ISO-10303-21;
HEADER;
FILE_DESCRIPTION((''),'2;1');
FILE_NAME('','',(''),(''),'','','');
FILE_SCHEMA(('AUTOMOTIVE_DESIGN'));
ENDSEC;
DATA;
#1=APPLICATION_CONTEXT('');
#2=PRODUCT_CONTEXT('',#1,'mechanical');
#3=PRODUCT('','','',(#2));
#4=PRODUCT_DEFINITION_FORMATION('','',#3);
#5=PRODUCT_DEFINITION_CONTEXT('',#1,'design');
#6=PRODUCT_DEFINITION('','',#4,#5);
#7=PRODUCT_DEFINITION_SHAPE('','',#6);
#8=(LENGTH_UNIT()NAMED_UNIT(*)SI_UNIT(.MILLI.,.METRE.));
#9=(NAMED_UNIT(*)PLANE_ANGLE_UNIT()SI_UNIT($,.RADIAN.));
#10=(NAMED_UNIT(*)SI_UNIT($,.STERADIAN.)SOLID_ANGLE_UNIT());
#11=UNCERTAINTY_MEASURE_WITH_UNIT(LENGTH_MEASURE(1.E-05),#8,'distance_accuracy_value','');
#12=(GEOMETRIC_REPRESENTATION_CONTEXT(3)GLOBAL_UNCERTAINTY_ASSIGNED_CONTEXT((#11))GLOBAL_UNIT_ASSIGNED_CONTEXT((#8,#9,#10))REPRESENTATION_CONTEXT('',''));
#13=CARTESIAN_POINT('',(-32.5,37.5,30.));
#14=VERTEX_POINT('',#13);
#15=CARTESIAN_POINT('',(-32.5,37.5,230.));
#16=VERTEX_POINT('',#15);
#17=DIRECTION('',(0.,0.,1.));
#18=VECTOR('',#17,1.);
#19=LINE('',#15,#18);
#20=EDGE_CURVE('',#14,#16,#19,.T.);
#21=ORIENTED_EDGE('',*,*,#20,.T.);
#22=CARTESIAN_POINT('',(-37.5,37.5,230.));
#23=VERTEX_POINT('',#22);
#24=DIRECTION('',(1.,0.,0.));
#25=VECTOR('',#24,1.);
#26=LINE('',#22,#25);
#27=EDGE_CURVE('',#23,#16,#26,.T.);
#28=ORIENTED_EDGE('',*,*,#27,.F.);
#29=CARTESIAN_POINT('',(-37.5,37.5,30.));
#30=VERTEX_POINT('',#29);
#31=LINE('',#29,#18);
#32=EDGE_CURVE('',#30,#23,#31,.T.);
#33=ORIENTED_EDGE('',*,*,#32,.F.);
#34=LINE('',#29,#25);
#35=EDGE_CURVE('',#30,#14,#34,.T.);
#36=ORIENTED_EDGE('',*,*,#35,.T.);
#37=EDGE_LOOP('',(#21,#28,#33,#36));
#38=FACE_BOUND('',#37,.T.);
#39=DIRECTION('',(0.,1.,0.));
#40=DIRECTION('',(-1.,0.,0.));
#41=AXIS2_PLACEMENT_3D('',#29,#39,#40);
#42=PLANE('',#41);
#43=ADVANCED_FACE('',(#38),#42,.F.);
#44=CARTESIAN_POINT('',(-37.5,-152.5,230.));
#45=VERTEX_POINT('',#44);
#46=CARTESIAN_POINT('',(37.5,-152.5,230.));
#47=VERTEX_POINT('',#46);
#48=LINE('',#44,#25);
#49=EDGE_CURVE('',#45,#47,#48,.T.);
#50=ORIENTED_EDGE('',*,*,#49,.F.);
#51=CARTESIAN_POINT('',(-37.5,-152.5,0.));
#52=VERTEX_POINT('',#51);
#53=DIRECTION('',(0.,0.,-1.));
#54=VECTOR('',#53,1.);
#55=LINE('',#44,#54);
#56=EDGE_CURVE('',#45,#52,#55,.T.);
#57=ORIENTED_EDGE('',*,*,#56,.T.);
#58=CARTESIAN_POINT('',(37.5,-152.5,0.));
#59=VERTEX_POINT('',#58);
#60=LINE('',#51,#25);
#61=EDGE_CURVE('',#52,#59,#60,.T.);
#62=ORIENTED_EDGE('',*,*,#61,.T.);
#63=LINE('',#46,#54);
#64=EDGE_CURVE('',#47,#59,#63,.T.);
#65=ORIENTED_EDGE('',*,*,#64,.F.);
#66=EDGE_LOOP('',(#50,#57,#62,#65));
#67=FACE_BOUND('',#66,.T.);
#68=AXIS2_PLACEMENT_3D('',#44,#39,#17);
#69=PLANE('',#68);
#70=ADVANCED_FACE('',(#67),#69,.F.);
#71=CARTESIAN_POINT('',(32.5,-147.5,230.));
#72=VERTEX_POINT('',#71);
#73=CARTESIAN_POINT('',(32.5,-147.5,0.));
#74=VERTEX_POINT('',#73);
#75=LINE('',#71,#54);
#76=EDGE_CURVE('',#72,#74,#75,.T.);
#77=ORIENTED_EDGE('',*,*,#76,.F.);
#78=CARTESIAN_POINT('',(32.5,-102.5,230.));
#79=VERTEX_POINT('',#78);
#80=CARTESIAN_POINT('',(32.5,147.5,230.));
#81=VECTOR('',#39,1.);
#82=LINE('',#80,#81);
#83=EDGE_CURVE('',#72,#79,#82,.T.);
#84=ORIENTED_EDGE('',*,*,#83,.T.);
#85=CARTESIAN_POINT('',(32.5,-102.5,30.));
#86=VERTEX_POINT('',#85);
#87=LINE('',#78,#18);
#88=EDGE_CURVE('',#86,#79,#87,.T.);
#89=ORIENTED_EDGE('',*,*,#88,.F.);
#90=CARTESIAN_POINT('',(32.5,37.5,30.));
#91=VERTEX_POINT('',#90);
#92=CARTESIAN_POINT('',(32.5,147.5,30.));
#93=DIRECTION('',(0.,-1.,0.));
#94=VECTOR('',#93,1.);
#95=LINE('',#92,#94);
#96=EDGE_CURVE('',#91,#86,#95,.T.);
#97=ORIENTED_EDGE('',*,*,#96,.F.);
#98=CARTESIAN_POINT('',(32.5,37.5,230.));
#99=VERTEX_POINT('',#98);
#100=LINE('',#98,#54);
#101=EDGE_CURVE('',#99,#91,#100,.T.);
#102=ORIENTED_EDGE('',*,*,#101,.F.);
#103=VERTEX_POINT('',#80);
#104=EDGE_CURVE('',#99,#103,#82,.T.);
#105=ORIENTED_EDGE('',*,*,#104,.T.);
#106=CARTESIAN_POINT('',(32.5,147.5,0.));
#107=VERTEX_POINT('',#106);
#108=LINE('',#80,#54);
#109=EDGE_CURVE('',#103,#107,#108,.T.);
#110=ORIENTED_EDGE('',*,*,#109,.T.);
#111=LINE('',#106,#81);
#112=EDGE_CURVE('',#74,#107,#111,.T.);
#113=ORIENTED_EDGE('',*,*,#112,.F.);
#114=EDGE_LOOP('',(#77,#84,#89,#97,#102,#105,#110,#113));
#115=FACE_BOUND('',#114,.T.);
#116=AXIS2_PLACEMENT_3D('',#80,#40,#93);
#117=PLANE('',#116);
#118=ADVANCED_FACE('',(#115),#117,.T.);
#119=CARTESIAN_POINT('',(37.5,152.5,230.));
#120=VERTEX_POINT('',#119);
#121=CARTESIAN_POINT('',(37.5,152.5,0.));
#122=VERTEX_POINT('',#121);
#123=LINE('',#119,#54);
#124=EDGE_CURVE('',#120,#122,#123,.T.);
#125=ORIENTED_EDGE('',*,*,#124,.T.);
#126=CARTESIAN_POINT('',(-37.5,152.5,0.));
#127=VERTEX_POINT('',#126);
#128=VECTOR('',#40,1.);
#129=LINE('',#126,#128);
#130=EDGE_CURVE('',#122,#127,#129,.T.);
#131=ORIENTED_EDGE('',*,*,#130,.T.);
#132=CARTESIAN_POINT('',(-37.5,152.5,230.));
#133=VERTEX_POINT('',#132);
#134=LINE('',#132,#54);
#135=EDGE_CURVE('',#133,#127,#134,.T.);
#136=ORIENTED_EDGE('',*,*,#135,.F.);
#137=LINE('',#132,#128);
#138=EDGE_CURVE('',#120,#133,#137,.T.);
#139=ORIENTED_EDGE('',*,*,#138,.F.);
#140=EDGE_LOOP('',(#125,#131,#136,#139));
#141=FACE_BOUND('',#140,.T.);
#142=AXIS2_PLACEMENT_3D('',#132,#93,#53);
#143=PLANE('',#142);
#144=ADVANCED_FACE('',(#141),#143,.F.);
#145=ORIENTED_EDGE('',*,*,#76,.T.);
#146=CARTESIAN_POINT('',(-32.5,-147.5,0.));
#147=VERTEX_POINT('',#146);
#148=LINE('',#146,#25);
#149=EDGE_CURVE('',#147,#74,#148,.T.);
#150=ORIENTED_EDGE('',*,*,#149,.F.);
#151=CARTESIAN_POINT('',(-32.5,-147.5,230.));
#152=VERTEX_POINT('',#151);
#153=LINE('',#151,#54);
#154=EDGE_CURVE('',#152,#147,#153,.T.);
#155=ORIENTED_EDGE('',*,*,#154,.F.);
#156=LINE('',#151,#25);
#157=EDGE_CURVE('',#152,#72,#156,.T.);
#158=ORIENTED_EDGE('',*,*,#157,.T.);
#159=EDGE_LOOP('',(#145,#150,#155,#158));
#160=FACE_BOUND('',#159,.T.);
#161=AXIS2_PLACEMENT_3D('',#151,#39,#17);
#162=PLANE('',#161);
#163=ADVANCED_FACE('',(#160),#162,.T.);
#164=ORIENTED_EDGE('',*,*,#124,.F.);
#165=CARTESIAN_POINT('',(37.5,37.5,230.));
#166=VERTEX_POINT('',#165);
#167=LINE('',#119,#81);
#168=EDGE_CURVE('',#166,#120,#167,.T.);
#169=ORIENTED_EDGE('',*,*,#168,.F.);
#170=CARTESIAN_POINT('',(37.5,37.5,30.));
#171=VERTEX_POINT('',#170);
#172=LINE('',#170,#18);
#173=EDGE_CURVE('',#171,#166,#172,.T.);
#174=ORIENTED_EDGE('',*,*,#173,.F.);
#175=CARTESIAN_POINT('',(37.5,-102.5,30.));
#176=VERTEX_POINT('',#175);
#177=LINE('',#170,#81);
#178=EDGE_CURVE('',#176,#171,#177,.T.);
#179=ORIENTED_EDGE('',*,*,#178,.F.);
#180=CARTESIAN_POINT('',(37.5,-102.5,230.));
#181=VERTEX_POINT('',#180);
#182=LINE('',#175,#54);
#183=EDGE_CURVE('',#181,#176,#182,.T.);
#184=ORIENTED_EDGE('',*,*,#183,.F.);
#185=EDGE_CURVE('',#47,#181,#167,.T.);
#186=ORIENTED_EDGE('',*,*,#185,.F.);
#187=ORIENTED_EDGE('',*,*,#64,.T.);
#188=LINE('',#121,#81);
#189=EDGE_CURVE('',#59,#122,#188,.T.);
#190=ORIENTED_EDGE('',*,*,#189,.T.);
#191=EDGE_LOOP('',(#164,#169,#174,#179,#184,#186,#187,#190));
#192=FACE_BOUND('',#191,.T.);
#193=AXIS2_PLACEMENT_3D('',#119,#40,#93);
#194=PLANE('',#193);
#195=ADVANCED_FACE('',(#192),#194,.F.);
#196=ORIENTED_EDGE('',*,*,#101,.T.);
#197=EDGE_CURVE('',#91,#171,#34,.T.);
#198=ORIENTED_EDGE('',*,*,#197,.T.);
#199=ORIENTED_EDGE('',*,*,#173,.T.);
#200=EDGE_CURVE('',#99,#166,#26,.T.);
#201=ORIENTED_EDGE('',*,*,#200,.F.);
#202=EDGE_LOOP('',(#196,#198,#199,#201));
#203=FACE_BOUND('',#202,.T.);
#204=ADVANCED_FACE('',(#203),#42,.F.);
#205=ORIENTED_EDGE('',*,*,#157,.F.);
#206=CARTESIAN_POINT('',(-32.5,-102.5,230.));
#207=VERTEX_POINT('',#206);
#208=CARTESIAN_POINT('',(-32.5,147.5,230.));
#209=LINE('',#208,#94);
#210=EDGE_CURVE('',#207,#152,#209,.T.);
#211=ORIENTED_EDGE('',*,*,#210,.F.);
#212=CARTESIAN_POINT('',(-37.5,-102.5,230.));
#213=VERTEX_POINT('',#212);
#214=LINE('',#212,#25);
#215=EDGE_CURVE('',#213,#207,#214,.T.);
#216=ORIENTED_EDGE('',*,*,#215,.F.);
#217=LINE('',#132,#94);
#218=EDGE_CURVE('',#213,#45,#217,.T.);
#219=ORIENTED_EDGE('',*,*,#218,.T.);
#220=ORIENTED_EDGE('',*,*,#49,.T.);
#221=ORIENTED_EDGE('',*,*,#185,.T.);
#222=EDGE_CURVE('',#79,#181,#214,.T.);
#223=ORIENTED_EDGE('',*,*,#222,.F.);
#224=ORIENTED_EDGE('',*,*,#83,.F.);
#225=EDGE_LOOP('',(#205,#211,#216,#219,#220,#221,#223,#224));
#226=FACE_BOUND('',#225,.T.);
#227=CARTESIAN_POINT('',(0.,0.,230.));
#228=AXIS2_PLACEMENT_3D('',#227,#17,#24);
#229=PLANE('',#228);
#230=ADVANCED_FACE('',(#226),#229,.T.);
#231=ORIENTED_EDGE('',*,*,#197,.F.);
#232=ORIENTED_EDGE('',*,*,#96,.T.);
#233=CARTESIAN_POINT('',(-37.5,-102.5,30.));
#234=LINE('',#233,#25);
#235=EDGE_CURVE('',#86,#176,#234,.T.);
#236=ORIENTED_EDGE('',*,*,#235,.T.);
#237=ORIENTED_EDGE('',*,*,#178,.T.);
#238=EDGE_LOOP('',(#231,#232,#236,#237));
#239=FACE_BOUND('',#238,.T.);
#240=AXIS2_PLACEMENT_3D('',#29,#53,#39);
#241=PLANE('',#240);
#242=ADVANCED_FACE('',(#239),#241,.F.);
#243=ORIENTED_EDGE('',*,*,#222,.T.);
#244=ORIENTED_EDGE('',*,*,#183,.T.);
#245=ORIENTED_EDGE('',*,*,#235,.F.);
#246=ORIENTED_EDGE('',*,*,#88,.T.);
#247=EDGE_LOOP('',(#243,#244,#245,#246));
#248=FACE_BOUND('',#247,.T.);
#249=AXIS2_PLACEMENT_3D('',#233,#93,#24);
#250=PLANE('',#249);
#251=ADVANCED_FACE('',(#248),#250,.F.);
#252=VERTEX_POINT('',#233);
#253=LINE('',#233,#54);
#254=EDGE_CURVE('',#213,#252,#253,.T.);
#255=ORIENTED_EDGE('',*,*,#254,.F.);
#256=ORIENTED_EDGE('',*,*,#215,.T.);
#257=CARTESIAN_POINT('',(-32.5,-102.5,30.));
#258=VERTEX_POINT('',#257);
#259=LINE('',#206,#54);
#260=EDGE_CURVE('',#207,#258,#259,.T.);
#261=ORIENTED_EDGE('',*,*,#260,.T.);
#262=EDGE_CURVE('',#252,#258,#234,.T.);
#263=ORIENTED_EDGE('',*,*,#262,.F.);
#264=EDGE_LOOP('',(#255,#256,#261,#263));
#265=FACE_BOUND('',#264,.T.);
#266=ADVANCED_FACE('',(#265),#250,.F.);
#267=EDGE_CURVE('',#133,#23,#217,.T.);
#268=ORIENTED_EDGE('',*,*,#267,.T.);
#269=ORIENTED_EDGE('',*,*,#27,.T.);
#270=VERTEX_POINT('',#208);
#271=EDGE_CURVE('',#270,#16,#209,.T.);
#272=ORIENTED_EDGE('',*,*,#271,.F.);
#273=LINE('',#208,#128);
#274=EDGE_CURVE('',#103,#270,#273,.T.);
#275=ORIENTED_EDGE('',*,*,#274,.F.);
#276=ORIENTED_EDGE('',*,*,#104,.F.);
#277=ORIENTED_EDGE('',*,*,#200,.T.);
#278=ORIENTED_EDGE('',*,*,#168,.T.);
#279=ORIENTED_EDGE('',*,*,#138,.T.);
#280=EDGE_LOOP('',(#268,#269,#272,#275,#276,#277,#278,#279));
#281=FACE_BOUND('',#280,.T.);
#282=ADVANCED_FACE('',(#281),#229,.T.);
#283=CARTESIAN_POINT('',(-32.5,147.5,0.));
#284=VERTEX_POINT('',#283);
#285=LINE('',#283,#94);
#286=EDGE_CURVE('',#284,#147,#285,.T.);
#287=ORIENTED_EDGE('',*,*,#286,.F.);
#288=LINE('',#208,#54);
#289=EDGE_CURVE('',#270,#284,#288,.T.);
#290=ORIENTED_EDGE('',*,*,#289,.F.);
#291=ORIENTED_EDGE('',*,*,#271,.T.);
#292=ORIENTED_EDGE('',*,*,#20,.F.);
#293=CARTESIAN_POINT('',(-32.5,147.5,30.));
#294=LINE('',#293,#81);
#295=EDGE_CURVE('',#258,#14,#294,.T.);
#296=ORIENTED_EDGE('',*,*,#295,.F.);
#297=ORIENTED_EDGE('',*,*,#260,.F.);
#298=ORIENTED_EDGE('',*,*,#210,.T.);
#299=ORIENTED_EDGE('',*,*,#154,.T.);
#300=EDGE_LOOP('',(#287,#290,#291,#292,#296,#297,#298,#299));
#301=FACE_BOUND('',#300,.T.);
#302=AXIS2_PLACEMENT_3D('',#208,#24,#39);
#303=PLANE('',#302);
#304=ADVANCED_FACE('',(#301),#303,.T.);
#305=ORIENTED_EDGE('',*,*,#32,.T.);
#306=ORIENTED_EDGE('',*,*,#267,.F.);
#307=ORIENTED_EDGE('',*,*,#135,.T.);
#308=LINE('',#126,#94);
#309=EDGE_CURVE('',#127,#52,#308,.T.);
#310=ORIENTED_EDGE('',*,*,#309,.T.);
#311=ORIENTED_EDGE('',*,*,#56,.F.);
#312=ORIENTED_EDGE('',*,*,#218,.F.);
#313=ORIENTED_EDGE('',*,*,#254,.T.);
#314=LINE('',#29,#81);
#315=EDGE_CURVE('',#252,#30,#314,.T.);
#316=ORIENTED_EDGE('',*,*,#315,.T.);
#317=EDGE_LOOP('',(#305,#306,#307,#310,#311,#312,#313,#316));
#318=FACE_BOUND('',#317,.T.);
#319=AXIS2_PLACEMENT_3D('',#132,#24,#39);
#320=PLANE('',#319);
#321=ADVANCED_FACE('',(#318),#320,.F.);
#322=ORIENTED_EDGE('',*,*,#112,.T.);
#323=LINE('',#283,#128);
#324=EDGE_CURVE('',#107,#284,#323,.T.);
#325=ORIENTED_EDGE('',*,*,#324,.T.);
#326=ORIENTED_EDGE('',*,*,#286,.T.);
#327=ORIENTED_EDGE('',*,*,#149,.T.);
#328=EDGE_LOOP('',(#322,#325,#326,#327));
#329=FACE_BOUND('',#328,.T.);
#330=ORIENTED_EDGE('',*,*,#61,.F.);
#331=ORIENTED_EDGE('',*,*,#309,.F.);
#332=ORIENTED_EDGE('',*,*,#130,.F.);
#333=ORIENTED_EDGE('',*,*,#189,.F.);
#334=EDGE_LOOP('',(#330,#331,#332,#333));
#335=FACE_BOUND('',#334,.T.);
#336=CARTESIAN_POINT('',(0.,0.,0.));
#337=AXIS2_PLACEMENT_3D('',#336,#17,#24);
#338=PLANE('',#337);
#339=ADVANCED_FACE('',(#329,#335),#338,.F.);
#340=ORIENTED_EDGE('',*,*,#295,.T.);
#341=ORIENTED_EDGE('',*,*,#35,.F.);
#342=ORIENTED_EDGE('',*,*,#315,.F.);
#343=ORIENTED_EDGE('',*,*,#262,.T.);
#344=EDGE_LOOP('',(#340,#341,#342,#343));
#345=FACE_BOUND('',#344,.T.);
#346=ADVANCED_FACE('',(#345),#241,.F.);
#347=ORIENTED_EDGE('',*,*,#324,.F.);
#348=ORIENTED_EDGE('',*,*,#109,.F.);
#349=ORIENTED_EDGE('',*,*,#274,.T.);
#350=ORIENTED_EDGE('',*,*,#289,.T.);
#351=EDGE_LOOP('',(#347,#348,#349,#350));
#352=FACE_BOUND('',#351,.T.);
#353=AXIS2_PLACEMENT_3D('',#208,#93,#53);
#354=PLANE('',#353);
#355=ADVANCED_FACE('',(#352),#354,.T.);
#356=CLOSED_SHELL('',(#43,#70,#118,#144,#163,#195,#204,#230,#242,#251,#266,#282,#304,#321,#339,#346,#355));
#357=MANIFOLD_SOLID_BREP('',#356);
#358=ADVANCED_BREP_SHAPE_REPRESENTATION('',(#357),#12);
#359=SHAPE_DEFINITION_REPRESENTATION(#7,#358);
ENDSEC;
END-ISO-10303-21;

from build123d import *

# Parameters (mm, degrees)
SKETCH1_W           = 75
SKETCH1_H           = 305
SKETCH1_W_2         = 65
SKETCH1_H_2         = 295
BOSS_EXTRUDE1_DEPTH = 230
SKETCH2_W           = 200
SKETCH2_H           = 140
CUT_EXTRUDE1_DEPTH  = 286.974212124


with BuildPart() as part:
    # Sketch1 → Boss-Extrude1 (new body)
    with BuildSketch(Plane.XY):
        Rectangle(SKETCH1_W, SKETCH1_H)
        Rectangle(SKETCH1_W_2, SKETCH1_H_2, mode=Mode.SUBTRACT)
    extrude(amount=BOSS_EXTRUDE1_DEPTH)

    # Sketch2 → Cut-Extrude1 (cut, through all)
    with BuildSketch(Plane(origin=(37.5, 0, 0), x_dir=(0, 0, -1), z_dir=(1, 0, 0))):
        with Locations((-130, -32.5)):
            Rectangle(SKETCH2_W, SKETCH2_H)
    extrude(amount=-CUT_EXTRUDE1_DEPTH, mode=Mode.SUBTRACT)


solid = part.part
